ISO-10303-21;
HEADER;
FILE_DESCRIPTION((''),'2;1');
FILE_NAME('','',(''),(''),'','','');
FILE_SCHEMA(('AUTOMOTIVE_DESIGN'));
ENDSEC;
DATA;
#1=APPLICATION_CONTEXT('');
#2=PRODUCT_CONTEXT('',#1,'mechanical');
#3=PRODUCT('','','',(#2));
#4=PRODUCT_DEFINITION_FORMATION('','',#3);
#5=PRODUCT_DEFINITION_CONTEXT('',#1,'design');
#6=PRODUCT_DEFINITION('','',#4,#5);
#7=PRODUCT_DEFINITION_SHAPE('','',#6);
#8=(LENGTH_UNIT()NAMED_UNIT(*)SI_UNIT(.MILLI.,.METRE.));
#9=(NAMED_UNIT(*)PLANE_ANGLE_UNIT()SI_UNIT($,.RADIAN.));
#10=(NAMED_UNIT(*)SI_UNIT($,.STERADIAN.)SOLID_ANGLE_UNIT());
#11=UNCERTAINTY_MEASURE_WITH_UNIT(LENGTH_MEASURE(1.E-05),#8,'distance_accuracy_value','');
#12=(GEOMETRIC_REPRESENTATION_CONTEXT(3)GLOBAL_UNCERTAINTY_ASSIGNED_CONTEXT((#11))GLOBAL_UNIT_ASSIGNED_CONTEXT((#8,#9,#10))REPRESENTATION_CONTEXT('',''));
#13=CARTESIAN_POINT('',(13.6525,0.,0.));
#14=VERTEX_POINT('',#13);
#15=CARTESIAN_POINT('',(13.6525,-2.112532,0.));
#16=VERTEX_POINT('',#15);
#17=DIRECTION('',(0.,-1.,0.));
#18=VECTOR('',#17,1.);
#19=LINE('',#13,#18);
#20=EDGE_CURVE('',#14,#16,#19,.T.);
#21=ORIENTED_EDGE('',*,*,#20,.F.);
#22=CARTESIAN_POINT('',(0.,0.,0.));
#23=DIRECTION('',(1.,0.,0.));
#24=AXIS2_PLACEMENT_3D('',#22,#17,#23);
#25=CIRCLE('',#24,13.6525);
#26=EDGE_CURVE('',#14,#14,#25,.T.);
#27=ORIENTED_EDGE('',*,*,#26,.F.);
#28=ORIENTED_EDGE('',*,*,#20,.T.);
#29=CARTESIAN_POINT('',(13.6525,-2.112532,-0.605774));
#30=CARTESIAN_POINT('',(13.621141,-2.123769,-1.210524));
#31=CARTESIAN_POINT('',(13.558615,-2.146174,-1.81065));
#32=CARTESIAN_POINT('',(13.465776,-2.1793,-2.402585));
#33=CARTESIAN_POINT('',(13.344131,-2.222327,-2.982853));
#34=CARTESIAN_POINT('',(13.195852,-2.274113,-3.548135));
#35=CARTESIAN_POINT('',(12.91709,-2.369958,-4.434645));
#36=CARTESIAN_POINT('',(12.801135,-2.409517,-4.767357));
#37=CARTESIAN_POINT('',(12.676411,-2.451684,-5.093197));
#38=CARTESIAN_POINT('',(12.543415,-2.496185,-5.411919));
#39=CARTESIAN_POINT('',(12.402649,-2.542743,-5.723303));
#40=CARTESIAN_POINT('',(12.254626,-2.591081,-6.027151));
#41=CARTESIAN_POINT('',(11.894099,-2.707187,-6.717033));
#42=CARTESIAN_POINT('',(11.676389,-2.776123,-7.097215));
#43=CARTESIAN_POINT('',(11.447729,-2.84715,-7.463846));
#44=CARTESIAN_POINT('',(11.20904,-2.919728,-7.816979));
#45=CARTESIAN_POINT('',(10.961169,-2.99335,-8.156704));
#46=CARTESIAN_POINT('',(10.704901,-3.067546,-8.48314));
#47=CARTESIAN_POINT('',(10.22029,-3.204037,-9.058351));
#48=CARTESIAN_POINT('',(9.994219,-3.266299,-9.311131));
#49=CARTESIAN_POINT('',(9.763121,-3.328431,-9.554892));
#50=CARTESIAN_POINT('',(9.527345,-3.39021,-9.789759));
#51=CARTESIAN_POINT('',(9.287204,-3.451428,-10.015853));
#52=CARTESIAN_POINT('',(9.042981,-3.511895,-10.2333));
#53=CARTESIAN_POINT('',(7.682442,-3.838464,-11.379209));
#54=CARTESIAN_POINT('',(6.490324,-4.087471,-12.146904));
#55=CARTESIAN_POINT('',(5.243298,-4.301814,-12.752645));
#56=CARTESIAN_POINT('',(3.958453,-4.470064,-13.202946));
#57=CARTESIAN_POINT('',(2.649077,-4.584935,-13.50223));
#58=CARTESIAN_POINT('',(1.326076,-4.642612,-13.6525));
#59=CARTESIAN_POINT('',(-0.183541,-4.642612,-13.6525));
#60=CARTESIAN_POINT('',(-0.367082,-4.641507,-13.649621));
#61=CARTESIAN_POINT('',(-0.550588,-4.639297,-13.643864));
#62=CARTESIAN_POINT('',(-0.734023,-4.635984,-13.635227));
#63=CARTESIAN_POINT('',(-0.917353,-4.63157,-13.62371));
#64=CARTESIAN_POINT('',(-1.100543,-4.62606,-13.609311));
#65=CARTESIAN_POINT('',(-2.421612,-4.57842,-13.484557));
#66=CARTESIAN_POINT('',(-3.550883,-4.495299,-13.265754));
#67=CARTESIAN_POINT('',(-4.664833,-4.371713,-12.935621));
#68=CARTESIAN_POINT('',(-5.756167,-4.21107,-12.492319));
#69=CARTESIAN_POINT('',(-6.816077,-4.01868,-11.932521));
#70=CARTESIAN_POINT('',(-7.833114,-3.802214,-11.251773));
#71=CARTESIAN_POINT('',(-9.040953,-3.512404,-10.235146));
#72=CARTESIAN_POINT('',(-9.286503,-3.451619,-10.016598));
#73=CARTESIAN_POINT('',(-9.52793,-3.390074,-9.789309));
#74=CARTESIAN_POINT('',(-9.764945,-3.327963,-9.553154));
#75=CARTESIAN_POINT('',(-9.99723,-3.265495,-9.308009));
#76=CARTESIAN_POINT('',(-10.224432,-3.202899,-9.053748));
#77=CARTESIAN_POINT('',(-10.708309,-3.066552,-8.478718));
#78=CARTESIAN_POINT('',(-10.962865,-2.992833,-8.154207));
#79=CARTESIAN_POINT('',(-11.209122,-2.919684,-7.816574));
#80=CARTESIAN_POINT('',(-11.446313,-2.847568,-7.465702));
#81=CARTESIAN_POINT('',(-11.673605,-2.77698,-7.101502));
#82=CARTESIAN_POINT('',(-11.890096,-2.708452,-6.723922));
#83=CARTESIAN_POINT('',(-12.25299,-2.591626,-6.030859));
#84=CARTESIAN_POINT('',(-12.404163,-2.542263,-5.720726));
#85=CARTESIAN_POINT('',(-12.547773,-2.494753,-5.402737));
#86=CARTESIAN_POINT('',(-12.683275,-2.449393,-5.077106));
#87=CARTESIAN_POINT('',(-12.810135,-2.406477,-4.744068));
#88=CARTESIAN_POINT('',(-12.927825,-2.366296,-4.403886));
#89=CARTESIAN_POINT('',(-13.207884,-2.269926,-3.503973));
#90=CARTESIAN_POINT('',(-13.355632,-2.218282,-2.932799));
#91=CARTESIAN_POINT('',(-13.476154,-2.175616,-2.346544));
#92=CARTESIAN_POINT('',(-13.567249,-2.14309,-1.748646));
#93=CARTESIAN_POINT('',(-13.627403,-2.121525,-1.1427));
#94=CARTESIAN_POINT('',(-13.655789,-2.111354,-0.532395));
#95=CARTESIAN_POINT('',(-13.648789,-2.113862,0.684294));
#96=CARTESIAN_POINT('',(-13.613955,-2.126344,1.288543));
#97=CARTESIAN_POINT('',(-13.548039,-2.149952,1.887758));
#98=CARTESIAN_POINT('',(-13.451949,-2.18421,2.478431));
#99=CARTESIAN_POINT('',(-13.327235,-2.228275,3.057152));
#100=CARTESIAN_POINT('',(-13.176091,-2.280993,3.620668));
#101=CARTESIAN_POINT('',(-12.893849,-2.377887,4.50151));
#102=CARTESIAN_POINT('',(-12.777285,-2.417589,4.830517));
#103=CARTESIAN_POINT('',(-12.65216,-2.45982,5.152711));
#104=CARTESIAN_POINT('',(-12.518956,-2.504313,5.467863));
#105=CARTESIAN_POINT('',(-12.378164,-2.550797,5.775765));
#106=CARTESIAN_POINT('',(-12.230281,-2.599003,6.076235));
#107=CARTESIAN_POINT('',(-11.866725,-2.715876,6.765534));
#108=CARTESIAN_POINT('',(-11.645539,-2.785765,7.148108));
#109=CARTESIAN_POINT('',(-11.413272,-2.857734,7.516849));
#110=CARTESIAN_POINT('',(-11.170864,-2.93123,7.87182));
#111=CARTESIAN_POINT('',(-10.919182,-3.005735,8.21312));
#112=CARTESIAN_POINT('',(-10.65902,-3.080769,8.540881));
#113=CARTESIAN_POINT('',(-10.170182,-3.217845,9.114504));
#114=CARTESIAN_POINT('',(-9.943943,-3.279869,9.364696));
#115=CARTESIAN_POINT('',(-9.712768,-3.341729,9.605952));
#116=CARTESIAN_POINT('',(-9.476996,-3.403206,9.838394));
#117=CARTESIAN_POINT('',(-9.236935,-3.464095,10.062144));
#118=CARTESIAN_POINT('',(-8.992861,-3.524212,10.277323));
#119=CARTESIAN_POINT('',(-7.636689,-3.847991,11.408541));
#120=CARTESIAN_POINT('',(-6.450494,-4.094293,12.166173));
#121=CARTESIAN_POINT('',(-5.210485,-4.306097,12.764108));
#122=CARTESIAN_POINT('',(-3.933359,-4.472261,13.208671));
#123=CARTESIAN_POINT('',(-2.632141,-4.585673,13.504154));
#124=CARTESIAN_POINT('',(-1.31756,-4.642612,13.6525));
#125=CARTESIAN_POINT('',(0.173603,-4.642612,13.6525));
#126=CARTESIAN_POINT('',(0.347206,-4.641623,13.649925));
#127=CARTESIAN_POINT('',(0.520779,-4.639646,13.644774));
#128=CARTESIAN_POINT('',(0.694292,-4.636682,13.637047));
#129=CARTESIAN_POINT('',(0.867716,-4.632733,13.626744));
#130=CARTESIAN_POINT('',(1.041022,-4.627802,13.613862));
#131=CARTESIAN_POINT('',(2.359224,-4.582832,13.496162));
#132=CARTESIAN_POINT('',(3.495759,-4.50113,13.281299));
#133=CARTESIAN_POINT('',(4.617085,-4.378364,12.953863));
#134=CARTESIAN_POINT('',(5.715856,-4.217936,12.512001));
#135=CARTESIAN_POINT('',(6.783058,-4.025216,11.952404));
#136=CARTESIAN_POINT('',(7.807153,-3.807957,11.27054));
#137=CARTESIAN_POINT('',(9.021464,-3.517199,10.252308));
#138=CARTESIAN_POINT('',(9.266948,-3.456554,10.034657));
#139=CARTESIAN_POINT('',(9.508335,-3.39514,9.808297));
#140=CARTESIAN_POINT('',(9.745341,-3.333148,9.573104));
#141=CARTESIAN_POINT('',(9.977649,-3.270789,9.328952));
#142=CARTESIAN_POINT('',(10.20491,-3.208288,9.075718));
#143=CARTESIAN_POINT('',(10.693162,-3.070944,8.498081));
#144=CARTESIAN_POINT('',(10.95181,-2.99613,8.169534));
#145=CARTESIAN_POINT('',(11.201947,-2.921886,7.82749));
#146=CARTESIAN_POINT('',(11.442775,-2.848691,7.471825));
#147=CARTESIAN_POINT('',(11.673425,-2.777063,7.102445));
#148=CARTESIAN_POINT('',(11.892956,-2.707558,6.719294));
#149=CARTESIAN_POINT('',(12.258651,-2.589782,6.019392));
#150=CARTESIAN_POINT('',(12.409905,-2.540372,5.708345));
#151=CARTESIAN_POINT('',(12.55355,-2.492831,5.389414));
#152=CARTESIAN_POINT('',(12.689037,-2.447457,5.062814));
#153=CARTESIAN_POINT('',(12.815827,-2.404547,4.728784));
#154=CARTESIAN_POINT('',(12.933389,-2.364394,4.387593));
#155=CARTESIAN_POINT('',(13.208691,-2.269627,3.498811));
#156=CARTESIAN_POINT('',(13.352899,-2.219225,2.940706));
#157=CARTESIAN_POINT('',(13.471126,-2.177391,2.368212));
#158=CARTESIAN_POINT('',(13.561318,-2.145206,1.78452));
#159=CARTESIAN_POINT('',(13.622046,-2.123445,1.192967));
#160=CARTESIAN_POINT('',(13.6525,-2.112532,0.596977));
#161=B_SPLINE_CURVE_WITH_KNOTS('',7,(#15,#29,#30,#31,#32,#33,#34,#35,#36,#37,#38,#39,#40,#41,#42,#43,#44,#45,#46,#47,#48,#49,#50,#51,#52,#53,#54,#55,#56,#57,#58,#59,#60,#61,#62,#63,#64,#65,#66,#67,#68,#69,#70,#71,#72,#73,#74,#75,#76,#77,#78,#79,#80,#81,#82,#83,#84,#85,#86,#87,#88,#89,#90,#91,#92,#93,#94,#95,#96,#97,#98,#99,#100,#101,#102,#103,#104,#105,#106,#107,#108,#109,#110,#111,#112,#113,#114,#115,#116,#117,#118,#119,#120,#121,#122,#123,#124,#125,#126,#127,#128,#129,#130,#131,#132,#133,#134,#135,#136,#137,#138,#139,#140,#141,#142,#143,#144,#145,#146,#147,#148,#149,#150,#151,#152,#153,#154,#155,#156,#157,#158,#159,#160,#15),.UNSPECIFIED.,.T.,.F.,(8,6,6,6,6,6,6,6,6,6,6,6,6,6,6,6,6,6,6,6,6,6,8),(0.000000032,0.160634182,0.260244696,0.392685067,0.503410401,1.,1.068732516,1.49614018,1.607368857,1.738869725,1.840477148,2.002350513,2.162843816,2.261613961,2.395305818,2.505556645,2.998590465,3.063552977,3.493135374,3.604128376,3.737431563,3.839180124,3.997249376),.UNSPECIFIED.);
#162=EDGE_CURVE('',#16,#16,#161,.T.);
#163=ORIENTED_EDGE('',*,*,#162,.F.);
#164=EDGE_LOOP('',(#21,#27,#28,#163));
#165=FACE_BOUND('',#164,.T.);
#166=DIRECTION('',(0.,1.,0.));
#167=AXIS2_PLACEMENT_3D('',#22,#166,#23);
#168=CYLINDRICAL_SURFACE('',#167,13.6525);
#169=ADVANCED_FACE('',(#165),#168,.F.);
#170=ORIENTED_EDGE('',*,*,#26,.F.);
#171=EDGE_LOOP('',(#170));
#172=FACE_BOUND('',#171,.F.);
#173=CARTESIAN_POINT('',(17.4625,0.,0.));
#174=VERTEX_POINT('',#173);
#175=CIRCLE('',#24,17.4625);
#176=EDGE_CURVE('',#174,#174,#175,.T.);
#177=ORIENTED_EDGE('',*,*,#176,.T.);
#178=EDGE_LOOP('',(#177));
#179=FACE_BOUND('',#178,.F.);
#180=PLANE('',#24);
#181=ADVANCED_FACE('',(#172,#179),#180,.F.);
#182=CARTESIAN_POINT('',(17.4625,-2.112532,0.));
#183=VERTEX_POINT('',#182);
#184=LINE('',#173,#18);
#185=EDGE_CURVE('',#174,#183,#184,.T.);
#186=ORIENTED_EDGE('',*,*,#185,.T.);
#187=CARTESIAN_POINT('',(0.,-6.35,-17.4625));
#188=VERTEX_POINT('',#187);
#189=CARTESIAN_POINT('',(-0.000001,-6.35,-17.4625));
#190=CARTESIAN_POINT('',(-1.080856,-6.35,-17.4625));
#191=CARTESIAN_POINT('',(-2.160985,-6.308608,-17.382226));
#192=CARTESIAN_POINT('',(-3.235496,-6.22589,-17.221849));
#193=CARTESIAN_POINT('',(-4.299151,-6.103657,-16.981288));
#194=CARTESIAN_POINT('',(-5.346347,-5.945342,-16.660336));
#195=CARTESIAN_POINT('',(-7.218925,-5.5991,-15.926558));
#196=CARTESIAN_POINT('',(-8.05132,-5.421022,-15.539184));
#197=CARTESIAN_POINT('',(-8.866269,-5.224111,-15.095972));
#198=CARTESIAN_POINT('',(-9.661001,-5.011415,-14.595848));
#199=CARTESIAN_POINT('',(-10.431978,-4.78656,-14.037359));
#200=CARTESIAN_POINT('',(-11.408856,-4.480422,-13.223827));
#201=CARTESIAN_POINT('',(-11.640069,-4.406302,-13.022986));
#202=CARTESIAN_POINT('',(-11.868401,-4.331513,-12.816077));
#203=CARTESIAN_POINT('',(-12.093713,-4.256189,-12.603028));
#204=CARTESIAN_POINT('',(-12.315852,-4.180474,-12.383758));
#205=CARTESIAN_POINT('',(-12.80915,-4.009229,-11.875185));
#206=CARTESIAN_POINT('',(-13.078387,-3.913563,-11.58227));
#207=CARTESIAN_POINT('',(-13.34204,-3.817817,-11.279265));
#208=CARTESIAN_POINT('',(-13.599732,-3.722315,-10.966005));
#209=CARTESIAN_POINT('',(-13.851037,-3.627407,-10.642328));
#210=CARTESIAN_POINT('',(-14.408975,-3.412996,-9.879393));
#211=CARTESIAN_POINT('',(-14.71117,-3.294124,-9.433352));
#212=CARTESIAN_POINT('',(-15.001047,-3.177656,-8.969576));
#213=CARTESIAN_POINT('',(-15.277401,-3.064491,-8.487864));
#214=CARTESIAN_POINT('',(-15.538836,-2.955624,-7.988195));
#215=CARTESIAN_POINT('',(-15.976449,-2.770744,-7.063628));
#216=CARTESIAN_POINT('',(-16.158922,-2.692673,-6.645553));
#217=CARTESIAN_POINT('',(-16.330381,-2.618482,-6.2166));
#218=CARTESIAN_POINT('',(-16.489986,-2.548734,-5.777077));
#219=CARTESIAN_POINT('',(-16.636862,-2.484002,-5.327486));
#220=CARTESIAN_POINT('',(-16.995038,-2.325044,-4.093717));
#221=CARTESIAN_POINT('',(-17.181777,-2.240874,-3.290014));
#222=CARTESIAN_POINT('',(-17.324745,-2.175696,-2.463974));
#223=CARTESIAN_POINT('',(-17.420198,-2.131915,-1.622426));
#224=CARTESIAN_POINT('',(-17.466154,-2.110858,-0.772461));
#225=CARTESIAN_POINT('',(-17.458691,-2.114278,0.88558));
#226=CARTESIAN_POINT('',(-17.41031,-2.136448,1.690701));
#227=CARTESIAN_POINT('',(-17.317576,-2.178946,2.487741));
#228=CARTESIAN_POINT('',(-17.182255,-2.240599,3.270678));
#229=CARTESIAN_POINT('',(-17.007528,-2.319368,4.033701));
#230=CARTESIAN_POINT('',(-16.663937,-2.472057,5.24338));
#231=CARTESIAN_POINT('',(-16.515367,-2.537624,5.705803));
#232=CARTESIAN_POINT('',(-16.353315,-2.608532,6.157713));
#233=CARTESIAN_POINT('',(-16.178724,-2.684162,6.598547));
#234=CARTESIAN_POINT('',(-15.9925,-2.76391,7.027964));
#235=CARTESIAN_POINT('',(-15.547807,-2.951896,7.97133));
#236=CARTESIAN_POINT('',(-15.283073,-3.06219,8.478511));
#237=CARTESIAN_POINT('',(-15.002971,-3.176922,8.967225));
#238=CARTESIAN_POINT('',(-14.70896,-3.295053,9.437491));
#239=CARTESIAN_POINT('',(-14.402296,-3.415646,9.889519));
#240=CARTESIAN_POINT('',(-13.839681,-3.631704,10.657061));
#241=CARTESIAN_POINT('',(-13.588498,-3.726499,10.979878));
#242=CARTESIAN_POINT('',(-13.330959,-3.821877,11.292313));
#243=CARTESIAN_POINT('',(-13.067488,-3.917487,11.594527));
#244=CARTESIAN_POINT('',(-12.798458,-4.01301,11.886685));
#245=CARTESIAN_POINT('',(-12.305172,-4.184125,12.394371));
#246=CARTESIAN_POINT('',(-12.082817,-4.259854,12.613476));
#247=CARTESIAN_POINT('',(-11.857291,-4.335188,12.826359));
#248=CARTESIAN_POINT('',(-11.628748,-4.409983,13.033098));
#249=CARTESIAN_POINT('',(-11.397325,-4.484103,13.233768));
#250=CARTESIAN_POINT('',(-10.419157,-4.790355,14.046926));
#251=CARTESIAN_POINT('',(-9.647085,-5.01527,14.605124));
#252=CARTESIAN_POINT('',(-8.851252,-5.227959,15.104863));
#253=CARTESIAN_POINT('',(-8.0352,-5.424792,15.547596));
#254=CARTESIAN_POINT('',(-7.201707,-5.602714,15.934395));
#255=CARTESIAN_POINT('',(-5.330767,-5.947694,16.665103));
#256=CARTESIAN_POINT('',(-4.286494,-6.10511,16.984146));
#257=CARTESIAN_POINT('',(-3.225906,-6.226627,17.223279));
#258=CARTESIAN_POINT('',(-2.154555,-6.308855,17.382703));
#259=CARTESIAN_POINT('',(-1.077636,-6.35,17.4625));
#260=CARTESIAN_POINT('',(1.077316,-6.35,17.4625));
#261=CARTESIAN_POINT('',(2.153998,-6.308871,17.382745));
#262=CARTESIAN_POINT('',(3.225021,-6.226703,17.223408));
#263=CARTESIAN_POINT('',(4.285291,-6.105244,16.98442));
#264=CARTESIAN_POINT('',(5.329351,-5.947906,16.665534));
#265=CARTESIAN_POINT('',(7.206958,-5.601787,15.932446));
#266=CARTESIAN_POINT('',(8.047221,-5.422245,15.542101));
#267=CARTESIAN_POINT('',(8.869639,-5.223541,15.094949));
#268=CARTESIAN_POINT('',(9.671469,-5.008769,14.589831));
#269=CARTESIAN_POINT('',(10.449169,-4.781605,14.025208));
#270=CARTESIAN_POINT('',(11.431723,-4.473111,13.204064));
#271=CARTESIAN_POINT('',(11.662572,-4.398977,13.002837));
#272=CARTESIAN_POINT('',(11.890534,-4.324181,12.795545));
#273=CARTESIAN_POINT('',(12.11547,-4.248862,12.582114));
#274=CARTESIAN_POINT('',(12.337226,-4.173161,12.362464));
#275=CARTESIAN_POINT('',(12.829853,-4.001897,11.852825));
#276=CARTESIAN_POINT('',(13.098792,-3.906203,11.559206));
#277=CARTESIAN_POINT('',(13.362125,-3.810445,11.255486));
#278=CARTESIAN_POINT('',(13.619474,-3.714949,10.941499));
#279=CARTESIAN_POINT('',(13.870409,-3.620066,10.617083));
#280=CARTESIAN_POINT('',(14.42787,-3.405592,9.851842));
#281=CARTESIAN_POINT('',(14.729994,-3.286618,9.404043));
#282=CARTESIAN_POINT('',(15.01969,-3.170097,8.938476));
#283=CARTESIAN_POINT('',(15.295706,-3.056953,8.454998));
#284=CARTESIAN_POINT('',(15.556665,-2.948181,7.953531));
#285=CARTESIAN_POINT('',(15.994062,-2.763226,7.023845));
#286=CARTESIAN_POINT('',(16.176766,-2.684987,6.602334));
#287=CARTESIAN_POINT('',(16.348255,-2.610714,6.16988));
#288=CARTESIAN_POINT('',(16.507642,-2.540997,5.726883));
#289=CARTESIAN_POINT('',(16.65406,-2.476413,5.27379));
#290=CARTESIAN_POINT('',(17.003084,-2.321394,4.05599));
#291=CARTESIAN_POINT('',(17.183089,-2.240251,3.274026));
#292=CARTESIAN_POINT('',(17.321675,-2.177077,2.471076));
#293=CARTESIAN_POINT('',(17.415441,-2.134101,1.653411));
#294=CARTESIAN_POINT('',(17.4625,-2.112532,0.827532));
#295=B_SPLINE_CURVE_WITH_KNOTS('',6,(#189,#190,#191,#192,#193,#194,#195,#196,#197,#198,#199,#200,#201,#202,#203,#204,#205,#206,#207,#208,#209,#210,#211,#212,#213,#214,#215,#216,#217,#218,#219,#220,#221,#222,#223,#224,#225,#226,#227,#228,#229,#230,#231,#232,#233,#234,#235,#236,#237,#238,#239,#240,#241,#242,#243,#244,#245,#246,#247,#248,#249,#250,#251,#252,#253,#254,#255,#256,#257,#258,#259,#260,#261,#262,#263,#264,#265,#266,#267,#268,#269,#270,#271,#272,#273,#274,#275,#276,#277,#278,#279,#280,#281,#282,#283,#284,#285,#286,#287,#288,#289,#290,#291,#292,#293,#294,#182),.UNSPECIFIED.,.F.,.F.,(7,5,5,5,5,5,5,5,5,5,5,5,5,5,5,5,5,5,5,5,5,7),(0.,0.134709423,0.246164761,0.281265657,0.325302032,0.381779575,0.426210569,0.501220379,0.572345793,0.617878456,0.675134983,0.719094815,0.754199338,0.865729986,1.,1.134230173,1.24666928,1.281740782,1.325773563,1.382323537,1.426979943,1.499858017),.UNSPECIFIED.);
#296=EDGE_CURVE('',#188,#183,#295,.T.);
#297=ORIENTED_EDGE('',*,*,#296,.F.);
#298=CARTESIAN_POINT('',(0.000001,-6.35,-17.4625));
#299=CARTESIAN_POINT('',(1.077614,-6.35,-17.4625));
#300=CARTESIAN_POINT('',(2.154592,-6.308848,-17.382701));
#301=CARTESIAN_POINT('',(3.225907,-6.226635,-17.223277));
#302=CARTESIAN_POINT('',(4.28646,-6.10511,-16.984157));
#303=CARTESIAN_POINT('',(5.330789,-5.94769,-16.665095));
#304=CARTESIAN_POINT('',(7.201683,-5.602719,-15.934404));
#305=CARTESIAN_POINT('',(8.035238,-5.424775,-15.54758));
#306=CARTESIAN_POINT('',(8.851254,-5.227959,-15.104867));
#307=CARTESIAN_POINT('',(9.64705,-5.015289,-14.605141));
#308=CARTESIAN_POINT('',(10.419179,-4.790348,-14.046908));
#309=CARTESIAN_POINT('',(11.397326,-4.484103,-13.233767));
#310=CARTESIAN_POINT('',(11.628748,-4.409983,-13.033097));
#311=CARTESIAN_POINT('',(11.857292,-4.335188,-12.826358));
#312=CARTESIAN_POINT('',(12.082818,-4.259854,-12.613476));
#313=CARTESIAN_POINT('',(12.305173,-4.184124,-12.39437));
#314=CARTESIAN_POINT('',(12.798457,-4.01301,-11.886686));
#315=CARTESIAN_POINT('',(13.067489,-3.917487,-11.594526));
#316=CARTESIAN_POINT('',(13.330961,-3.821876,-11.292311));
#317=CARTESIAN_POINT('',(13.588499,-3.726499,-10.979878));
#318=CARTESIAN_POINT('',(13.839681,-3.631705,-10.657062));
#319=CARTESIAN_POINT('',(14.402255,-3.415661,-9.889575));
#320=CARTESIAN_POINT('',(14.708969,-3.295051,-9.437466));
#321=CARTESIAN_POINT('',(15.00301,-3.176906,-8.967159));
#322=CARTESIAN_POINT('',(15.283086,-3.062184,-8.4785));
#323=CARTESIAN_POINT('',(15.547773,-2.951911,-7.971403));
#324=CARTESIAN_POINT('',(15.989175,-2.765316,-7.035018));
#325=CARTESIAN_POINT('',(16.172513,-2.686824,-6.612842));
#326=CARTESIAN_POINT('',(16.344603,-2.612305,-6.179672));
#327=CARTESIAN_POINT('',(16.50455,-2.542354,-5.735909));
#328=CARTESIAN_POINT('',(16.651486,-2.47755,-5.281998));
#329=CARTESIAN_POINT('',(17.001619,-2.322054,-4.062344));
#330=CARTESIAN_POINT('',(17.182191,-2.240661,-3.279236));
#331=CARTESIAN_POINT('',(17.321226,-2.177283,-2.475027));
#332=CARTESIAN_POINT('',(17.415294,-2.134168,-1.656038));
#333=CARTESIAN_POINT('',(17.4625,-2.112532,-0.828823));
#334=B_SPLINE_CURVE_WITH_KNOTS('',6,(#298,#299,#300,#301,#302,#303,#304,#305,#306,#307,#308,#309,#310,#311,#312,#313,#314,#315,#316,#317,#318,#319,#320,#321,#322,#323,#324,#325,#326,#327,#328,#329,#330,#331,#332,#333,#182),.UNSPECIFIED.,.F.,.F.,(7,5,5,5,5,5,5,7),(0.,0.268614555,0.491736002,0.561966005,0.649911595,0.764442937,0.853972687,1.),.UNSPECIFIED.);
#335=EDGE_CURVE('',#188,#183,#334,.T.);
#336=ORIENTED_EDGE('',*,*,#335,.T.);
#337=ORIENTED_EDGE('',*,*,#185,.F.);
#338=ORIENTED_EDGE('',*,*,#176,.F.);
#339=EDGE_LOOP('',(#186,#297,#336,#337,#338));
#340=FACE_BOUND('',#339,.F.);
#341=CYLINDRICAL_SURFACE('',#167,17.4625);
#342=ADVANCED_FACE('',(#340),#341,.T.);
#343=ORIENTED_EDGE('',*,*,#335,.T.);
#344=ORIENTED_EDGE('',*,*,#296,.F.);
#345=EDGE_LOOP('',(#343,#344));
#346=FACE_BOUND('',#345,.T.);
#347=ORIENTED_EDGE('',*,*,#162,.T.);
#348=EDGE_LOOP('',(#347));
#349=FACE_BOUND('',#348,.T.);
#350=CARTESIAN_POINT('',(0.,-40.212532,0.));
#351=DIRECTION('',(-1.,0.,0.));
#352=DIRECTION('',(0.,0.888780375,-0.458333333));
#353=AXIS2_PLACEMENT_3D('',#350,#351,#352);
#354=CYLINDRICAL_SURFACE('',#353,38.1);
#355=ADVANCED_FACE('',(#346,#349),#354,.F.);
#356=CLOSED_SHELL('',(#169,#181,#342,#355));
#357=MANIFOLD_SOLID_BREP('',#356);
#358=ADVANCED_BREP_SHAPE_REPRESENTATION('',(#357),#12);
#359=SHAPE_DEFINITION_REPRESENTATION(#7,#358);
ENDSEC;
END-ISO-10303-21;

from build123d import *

# Parameters (mm, degrees)
F0_R          = 17.4625
F0_R_2        = 13.6525
F1_DEPTH      = 6.35
F3_DEPTH      = 17.4635
F3_DEPTH_BACK = 17.4635


with BuildPart() as f1:
    # F0 (on Front) → F1 (new body)
    with BuildSketch(Plane.XZ):
        Circle(F0_R)
        Circle(F0_R_2, mode=Mode.SUBTRACT)
    extrude(amount=F1_DEPTH)

    # F2 (on Right) → F3 (cut, two sides)
    with BuildSketch(Plane.YZ) as f3_sk:
        with BuildLine():
            Line((-6.35, 17.4625), (-6.35, -17.4625))
            ThreePointArc((-6.35, -17.4625), (-2.1125322997, 0), (-6.35, 17.4625))
        make_face()
    extrude(amount=-F3_DEPTH, mode=Mode.SUBTRACT)
    extrude(f3_sk.sketch, amount=F3_DEPTH_BACK, mode=Mode.SUBTRACT)


solid = f1.part
